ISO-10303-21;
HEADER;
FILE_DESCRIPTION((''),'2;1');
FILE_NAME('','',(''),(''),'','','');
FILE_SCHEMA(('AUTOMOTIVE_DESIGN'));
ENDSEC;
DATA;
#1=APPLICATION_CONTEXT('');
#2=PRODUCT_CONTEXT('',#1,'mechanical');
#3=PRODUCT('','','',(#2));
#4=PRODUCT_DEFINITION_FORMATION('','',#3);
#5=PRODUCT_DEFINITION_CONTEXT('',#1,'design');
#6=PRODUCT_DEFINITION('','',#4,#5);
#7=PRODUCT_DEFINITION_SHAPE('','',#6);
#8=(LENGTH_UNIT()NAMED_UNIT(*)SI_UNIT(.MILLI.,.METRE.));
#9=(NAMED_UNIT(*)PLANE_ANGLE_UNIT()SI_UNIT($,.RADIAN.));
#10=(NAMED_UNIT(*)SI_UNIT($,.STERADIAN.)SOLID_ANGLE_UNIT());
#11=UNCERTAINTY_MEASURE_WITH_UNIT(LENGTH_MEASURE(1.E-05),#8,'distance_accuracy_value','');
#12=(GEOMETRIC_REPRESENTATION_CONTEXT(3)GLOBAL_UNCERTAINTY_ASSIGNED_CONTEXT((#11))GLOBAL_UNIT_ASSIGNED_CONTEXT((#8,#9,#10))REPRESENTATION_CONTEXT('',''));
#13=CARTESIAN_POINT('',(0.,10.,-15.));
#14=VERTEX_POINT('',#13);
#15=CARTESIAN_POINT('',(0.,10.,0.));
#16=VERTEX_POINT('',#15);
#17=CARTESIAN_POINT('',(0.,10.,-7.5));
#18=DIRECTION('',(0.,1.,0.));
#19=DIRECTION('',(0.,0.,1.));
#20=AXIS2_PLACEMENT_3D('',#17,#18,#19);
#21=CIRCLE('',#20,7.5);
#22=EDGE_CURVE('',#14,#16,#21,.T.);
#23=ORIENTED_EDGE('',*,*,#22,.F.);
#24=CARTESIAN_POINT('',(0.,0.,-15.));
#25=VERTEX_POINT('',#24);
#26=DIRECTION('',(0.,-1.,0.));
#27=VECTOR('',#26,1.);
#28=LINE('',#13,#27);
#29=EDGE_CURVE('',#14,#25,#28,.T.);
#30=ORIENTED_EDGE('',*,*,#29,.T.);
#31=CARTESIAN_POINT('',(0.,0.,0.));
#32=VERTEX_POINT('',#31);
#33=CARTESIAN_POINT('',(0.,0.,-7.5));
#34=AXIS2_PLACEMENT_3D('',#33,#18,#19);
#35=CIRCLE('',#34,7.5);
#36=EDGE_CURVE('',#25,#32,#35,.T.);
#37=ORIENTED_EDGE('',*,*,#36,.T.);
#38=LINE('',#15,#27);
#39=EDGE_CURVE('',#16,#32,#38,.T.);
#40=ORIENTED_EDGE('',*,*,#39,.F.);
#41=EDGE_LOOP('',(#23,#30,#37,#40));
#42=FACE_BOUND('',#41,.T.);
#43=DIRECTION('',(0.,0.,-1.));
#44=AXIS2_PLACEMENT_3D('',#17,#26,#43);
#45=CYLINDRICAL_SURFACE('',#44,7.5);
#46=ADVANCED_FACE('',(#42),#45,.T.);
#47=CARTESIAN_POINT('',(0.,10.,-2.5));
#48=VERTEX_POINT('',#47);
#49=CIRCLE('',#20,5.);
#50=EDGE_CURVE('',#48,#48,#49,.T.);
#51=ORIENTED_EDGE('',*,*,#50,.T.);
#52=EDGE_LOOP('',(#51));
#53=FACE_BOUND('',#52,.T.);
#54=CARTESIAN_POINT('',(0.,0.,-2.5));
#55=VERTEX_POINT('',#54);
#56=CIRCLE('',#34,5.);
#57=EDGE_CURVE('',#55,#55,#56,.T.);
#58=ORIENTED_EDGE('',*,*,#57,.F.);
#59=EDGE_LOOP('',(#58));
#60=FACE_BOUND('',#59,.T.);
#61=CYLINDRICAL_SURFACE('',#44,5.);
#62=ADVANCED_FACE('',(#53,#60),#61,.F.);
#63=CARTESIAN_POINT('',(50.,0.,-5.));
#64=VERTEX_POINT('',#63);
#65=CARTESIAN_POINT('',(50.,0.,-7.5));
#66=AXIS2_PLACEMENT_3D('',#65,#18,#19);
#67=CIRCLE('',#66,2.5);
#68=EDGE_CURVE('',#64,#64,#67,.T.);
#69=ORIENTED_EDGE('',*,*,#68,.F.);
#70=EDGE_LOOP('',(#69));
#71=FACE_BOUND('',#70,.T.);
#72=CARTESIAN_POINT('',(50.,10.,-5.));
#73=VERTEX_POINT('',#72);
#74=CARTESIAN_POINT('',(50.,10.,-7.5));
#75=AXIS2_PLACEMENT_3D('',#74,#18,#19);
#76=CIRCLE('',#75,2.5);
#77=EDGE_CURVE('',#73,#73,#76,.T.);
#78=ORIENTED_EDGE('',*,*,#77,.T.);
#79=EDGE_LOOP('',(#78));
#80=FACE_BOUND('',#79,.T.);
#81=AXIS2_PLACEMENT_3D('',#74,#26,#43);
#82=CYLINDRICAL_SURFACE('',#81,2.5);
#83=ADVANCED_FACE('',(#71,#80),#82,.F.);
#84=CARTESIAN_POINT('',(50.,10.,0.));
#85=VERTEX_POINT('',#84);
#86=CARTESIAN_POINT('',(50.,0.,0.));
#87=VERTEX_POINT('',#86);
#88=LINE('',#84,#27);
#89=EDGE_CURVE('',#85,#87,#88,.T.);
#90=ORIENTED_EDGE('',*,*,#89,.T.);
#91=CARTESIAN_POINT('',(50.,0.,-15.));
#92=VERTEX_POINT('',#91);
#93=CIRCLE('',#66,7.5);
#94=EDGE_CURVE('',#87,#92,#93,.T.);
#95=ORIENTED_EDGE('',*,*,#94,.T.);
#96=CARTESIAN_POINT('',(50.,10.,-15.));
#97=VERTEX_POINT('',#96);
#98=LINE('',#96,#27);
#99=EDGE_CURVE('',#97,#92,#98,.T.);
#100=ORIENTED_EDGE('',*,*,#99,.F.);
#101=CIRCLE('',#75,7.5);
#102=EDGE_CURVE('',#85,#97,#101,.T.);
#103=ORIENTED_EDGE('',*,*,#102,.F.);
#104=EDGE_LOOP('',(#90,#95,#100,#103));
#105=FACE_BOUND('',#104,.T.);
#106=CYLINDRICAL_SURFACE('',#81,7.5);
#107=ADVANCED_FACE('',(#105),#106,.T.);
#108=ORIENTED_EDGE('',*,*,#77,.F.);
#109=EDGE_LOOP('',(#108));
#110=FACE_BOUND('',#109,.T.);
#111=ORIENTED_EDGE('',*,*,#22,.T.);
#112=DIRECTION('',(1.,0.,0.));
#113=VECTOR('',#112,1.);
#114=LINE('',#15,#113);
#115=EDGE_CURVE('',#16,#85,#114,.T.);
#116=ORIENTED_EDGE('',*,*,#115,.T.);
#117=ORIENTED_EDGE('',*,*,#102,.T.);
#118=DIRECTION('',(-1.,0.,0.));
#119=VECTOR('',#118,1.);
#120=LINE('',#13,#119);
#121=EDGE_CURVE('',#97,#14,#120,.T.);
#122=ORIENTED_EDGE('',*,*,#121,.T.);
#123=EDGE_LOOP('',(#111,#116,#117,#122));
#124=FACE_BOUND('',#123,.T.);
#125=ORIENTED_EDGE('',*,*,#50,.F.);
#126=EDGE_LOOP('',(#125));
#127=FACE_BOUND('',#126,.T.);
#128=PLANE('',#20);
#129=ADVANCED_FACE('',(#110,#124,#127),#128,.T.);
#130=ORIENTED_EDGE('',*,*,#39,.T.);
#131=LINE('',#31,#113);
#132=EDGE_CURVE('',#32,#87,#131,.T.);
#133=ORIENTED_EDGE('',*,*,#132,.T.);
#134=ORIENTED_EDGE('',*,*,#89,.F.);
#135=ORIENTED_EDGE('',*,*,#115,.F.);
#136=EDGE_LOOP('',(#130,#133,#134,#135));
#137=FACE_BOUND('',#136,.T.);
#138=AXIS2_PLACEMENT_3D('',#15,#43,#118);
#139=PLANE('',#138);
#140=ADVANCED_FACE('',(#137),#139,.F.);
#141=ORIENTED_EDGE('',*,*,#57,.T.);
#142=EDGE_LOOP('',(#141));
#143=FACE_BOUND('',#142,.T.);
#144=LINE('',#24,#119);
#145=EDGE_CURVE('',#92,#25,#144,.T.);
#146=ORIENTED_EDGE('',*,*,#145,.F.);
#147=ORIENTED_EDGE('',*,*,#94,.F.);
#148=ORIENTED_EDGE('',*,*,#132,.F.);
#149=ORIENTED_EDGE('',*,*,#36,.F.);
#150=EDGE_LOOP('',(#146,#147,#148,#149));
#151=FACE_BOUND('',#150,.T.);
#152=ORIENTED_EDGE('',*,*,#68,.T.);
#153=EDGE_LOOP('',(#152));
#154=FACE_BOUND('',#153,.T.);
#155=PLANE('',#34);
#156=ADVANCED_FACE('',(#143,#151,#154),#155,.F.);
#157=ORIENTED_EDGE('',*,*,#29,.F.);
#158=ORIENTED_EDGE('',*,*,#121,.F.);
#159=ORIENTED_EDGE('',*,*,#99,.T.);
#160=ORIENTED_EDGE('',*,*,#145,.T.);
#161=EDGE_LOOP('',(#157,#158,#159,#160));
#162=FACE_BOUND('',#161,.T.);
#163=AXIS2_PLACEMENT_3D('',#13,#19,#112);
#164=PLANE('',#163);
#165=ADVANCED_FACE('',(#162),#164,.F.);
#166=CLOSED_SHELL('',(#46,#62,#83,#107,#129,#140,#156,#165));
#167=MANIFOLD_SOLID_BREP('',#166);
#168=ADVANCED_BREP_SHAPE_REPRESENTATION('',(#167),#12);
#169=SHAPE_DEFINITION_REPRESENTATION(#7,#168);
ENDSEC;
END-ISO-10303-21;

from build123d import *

# Parameters (mm, degrees)
SKETCH1_R           = 2.5
SKETCH1_R_2         = 5
BOSS_EXTRUDE1_DEPTH = 10


with BuildPart() as part:
    # Sketch1 → Boss-Extrude1 (new body)
    with BuildSketch(Plane(origin=(0, 0, 0), x_dir=(1, 0, 0), z_dir=(0, 1, 0))):
        with BuildLine():
            Line((0, 0), (50, 0))
            ThreePointArc((50, 0), (57.5, 7.5), (50, 15))
            Line((50, 15), (0, 15))
            ThreePointArc((0, 15), (-7.5, 7.5), (0, 0))
        make_face()
        with Locations(Location((50, 7.5, 0), (0, 0, 270))):
            Circle(SKETCH1_R, mode=Mode.SUBTRACT)
        with Locations(Location((0, 7.5, 0), (0, 0, 270))):
            Circle(SKETCH1_R_2, mode=Mode.SUBTRACT)
    extrude(amount=BOSS_EXTRUDE1_DEPTH)


solid = part.part
